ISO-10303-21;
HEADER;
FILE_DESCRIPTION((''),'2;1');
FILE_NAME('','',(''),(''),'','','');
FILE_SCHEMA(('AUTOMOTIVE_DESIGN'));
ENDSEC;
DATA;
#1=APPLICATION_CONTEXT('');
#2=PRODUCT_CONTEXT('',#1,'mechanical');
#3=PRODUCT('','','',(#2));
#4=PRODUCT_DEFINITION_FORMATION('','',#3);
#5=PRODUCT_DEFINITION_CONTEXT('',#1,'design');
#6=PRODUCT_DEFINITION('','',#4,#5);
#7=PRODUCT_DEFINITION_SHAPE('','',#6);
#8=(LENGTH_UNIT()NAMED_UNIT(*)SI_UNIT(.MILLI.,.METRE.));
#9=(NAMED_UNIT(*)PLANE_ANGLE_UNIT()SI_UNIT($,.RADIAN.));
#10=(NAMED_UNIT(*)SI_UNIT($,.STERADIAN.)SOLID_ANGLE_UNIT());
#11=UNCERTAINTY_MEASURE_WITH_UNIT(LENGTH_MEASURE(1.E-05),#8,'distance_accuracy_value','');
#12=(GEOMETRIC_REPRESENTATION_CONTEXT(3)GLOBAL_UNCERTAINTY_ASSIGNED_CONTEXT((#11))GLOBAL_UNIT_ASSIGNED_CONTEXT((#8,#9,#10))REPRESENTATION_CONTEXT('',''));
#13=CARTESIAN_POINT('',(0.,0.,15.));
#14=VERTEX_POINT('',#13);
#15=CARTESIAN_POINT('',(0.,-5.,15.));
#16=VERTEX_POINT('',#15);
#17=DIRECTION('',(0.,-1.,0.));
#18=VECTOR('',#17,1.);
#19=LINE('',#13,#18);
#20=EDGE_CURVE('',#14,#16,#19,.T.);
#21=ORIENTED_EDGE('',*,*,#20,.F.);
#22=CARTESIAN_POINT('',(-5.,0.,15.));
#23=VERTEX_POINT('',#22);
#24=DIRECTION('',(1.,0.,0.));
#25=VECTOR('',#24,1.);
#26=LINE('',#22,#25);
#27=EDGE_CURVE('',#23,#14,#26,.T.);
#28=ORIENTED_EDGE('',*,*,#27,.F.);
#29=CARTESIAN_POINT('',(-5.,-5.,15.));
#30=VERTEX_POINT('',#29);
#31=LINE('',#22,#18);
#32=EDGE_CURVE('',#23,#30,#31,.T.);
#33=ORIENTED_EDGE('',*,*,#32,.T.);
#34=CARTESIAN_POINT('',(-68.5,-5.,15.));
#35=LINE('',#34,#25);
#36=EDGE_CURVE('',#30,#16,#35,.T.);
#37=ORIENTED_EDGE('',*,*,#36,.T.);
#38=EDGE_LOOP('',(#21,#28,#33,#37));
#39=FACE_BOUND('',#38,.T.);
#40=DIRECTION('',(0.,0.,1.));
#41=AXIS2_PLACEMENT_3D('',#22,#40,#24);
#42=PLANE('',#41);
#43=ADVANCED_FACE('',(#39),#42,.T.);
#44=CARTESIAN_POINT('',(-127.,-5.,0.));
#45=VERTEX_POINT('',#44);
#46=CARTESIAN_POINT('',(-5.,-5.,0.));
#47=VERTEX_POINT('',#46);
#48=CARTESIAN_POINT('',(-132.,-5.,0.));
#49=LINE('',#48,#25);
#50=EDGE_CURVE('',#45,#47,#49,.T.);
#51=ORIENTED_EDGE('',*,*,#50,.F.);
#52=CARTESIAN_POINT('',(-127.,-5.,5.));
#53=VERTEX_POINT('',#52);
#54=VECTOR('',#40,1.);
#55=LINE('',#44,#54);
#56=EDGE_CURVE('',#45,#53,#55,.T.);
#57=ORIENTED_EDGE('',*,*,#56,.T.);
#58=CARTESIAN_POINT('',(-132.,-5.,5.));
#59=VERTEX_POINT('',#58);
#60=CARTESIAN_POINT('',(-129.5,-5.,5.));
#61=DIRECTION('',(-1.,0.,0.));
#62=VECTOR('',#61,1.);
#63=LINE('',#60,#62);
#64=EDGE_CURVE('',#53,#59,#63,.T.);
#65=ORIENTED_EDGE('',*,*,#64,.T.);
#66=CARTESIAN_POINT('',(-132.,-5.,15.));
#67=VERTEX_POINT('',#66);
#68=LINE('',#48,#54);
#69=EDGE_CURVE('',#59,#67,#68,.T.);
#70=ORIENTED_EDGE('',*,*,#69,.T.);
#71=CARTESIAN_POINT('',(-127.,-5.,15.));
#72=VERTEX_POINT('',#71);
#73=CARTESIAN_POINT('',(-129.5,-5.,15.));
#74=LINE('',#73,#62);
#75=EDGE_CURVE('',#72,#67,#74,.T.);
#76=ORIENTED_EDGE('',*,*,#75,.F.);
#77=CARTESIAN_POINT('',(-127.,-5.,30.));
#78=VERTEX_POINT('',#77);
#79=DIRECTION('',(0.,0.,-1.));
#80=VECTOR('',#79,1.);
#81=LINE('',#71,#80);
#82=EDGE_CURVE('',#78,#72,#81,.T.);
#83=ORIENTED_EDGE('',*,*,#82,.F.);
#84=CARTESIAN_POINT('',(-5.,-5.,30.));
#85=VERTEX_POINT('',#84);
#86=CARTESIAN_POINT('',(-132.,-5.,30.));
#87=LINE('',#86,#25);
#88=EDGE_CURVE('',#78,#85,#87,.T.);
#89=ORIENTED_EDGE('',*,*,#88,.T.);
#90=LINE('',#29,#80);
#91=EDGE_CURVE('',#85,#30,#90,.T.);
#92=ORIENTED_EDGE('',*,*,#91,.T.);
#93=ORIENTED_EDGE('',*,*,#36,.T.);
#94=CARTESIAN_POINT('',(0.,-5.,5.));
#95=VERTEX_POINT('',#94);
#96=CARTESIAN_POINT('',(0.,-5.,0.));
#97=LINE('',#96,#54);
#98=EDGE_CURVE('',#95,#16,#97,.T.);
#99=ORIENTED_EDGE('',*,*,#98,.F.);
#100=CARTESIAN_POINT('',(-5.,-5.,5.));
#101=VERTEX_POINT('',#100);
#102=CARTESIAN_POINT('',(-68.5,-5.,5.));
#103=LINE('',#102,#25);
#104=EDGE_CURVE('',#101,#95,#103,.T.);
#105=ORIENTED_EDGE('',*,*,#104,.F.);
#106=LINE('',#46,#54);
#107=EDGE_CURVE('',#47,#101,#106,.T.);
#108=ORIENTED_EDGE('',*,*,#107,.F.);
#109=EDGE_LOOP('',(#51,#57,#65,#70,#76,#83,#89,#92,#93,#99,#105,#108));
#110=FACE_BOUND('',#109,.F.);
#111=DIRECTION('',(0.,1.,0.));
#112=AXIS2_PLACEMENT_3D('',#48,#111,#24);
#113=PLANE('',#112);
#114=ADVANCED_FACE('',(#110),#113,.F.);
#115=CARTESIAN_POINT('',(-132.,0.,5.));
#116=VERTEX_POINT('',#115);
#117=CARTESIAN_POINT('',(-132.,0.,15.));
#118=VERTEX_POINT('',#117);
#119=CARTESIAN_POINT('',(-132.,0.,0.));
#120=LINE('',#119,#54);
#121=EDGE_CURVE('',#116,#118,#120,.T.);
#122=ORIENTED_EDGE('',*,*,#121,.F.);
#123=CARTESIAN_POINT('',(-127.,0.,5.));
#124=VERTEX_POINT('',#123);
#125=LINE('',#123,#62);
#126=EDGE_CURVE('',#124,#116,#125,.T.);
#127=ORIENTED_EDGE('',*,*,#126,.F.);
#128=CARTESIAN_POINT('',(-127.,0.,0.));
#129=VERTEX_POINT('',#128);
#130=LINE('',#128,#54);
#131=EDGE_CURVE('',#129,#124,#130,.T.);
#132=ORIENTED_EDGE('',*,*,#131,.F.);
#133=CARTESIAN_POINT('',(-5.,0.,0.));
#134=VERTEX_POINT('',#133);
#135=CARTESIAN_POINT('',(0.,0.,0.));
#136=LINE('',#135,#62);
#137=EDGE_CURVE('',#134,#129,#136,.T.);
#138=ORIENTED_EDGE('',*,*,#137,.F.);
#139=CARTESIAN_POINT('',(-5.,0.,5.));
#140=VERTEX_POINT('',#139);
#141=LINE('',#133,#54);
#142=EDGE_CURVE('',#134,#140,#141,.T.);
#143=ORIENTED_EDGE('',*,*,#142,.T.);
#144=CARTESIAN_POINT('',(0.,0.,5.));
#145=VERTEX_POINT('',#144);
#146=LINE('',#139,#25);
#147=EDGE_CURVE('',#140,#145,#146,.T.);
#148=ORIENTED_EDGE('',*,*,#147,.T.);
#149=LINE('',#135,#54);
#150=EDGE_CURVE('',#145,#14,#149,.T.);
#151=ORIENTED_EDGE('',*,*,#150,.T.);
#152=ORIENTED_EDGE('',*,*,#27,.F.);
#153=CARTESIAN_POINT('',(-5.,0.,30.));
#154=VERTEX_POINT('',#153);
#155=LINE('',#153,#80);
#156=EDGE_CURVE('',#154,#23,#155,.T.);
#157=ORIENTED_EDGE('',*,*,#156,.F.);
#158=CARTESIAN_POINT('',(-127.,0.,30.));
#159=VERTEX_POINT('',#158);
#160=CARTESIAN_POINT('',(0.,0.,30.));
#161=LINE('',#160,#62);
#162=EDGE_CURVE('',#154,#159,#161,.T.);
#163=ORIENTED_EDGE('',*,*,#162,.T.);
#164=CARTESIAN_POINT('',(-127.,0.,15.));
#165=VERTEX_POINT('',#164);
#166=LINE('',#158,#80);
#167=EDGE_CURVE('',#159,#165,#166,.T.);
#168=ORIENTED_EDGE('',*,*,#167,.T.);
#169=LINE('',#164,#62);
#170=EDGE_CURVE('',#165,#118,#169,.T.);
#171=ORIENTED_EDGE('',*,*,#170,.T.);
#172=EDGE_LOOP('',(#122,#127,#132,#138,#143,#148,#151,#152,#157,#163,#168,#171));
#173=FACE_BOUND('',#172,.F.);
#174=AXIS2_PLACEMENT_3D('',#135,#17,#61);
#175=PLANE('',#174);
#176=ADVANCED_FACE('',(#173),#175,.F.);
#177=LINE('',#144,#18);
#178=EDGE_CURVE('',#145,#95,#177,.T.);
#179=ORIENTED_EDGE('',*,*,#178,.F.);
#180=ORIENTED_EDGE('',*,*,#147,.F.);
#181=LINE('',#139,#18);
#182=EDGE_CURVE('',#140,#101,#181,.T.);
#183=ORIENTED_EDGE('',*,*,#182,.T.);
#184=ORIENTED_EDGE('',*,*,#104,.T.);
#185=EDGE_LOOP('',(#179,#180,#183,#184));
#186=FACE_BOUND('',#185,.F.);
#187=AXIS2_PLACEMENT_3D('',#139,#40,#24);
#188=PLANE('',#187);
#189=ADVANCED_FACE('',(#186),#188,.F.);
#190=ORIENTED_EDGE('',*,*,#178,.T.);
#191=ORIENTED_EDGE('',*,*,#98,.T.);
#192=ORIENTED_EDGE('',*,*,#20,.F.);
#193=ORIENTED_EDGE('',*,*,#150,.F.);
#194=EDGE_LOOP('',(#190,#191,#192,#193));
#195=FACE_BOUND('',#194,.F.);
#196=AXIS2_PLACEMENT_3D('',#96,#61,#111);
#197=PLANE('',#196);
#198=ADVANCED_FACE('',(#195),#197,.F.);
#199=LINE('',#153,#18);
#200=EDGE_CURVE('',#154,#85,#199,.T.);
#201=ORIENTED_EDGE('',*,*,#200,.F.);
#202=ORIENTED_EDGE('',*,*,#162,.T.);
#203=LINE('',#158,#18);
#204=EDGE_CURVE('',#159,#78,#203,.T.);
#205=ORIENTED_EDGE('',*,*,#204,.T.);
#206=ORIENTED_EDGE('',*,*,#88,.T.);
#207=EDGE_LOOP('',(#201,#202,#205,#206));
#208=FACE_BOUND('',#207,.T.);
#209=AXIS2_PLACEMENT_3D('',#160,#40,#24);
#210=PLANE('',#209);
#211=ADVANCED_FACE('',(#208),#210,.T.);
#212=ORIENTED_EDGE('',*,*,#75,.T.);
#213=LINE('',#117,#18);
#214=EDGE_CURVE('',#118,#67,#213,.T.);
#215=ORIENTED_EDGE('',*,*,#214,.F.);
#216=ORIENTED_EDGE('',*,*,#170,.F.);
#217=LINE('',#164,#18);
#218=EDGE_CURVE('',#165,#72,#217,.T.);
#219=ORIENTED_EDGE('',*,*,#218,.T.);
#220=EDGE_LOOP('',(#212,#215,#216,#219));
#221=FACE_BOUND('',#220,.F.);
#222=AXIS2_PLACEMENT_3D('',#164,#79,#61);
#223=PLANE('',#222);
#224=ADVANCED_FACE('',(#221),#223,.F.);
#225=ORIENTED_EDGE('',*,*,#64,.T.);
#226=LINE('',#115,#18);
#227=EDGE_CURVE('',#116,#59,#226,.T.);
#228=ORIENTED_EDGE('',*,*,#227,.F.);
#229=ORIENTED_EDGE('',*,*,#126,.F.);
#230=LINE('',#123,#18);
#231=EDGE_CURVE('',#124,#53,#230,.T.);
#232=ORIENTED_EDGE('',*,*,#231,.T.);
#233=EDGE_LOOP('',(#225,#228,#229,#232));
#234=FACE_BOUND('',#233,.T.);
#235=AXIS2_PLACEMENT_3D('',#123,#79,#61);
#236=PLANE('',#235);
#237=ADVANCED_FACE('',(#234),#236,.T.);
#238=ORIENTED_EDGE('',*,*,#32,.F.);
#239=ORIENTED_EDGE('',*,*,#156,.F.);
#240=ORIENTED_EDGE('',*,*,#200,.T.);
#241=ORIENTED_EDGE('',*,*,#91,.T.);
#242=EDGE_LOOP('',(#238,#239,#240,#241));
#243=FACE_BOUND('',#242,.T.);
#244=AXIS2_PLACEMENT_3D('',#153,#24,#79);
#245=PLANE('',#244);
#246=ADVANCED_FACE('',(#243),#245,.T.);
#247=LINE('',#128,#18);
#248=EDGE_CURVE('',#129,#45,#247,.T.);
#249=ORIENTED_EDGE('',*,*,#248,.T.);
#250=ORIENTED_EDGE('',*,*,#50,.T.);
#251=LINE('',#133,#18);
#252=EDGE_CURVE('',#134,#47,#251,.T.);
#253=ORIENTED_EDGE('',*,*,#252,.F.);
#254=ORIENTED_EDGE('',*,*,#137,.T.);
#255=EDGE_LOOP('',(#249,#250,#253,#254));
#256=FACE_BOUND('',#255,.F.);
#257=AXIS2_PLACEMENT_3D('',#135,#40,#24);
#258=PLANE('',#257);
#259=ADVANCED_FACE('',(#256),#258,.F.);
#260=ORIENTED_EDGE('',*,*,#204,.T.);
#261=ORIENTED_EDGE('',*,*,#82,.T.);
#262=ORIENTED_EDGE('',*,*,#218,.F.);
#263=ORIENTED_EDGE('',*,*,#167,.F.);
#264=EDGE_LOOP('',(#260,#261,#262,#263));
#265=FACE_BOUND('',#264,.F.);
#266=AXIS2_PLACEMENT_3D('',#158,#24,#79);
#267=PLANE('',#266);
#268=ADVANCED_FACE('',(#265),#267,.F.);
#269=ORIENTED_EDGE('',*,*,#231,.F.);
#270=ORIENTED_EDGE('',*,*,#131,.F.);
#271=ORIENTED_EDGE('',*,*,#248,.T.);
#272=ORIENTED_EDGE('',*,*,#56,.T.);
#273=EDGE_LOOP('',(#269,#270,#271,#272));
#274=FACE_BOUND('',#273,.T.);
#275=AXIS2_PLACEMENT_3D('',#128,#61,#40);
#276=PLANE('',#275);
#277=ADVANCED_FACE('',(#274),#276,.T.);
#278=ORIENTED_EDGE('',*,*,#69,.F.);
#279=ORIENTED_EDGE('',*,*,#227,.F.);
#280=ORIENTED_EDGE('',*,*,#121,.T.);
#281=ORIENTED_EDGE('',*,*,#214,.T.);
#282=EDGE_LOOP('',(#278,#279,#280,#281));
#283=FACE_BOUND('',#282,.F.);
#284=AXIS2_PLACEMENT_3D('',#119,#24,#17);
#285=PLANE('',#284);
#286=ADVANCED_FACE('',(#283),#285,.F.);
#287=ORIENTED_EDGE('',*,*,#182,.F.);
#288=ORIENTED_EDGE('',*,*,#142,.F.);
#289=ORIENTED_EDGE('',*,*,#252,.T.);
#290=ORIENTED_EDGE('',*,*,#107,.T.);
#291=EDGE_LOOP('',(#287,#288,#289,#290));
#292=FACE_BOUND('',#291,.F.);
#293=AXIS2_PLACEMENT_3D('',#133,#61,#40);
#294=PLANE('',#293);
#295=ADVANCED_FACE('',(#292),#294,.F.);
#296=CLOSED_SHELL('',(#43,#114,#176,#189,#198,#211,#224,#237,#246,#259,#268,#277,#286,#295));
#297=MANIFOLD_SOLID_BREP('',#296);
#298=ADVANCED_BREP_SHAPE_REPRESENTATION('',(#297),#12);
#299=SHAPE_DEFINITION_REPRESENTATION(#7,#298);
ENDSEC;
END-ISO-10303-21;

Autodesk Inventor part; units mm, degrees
ref_plane "YZ Plane" through (0, 0, 0) normal (1, 0, 0) x (0, 1, 0)
ref_plane "XZ Plane" through (0, 0, 0) normal (0, 1, 0) x (-1, 0, 0)
ref_plane "XY Plane" through (0, 0, 0) normal (0, 0, 1) x (1, 0, 0)
sketch "Sketch1" plane through (0, 0, 0) normal (0, 0, 1) x (1, 0, 0)
  line L0 (0, 0) -> (-132, 0)
  line L1 (-132, 0) -> (-132, -5)
  line L2 (-132, -5) -> (0, -5)
  line L3 (0, -5) -> (0, 0)
  dimension "d0" = 5
  dimension "d1" = 132
extrude "Extrusion1" add sketch "Sketch1" along normal blind 30
sketch "Sketch2" plane through (-132, 0, 0) normal (0, 1, 0) x (1, 0, 0)
  line L0 (0, -30) -> (132, -30) projected
  line L1 (0, -30) -> (5, -30)
  line L2 (5, -30) -> (5, -15)
  line L3 (5, -15) -> (0, -15)
  line L4 (0, -15) -> (0, -30)
  line L5 (132, -30) -> (127, -30)
  line L6 (127, -30) -> (127, -15)
  line L7 (127, -15) -> (132, -15)
  line L8 (132, -15) -> (132, -30)
  line L9 (0, 0) -> (0, -30) projected
  line L10 (132, 0) -> (132, -30) projected
  line L11 (0, 0) -> (132, 0)
  line L12 (132, 0) -> (132, 0)
  line L13 (132, 0) -> (0, 0)
  line L14 (0, 0) -> (0, 0)
  line L15 (0, 0) -> (5, 0)
  line L16 (5, 0) -> (5, -5)
  line L17 (5, -5) -> (0, -5)
  line L18 (0, -5) -> (0, 0)
  line L19 (132, 0) -> (127, 0)
  line L20 (127, 0) -> (127, -5)
  line L21 (127, -5) -> (132, -5)
  line L22 (132, -5) -> (132, 0)
  point P0 (5, -30)
  point P1 (5, 0)
  point P2 (127, 0)
  dimension "d4" = 5
  dimension "d5" = 15
  dimension "d6" = 15
  dimension "d7" = 5
  dimension "d8" = 0
  dimension "d11" = 5
  dimension "d12" = 5
  dimension "d13" = 5
  dimension "d14" = 10
extrude "Extrusion2" cut sketch "Sketch2" against normal blind 10 contours L4 L3 L2 L0 | L6 L7 L8 L0 | L9 L11 L16 L17 | L21 L20 L11 L10
properties part number "FANsuport"
